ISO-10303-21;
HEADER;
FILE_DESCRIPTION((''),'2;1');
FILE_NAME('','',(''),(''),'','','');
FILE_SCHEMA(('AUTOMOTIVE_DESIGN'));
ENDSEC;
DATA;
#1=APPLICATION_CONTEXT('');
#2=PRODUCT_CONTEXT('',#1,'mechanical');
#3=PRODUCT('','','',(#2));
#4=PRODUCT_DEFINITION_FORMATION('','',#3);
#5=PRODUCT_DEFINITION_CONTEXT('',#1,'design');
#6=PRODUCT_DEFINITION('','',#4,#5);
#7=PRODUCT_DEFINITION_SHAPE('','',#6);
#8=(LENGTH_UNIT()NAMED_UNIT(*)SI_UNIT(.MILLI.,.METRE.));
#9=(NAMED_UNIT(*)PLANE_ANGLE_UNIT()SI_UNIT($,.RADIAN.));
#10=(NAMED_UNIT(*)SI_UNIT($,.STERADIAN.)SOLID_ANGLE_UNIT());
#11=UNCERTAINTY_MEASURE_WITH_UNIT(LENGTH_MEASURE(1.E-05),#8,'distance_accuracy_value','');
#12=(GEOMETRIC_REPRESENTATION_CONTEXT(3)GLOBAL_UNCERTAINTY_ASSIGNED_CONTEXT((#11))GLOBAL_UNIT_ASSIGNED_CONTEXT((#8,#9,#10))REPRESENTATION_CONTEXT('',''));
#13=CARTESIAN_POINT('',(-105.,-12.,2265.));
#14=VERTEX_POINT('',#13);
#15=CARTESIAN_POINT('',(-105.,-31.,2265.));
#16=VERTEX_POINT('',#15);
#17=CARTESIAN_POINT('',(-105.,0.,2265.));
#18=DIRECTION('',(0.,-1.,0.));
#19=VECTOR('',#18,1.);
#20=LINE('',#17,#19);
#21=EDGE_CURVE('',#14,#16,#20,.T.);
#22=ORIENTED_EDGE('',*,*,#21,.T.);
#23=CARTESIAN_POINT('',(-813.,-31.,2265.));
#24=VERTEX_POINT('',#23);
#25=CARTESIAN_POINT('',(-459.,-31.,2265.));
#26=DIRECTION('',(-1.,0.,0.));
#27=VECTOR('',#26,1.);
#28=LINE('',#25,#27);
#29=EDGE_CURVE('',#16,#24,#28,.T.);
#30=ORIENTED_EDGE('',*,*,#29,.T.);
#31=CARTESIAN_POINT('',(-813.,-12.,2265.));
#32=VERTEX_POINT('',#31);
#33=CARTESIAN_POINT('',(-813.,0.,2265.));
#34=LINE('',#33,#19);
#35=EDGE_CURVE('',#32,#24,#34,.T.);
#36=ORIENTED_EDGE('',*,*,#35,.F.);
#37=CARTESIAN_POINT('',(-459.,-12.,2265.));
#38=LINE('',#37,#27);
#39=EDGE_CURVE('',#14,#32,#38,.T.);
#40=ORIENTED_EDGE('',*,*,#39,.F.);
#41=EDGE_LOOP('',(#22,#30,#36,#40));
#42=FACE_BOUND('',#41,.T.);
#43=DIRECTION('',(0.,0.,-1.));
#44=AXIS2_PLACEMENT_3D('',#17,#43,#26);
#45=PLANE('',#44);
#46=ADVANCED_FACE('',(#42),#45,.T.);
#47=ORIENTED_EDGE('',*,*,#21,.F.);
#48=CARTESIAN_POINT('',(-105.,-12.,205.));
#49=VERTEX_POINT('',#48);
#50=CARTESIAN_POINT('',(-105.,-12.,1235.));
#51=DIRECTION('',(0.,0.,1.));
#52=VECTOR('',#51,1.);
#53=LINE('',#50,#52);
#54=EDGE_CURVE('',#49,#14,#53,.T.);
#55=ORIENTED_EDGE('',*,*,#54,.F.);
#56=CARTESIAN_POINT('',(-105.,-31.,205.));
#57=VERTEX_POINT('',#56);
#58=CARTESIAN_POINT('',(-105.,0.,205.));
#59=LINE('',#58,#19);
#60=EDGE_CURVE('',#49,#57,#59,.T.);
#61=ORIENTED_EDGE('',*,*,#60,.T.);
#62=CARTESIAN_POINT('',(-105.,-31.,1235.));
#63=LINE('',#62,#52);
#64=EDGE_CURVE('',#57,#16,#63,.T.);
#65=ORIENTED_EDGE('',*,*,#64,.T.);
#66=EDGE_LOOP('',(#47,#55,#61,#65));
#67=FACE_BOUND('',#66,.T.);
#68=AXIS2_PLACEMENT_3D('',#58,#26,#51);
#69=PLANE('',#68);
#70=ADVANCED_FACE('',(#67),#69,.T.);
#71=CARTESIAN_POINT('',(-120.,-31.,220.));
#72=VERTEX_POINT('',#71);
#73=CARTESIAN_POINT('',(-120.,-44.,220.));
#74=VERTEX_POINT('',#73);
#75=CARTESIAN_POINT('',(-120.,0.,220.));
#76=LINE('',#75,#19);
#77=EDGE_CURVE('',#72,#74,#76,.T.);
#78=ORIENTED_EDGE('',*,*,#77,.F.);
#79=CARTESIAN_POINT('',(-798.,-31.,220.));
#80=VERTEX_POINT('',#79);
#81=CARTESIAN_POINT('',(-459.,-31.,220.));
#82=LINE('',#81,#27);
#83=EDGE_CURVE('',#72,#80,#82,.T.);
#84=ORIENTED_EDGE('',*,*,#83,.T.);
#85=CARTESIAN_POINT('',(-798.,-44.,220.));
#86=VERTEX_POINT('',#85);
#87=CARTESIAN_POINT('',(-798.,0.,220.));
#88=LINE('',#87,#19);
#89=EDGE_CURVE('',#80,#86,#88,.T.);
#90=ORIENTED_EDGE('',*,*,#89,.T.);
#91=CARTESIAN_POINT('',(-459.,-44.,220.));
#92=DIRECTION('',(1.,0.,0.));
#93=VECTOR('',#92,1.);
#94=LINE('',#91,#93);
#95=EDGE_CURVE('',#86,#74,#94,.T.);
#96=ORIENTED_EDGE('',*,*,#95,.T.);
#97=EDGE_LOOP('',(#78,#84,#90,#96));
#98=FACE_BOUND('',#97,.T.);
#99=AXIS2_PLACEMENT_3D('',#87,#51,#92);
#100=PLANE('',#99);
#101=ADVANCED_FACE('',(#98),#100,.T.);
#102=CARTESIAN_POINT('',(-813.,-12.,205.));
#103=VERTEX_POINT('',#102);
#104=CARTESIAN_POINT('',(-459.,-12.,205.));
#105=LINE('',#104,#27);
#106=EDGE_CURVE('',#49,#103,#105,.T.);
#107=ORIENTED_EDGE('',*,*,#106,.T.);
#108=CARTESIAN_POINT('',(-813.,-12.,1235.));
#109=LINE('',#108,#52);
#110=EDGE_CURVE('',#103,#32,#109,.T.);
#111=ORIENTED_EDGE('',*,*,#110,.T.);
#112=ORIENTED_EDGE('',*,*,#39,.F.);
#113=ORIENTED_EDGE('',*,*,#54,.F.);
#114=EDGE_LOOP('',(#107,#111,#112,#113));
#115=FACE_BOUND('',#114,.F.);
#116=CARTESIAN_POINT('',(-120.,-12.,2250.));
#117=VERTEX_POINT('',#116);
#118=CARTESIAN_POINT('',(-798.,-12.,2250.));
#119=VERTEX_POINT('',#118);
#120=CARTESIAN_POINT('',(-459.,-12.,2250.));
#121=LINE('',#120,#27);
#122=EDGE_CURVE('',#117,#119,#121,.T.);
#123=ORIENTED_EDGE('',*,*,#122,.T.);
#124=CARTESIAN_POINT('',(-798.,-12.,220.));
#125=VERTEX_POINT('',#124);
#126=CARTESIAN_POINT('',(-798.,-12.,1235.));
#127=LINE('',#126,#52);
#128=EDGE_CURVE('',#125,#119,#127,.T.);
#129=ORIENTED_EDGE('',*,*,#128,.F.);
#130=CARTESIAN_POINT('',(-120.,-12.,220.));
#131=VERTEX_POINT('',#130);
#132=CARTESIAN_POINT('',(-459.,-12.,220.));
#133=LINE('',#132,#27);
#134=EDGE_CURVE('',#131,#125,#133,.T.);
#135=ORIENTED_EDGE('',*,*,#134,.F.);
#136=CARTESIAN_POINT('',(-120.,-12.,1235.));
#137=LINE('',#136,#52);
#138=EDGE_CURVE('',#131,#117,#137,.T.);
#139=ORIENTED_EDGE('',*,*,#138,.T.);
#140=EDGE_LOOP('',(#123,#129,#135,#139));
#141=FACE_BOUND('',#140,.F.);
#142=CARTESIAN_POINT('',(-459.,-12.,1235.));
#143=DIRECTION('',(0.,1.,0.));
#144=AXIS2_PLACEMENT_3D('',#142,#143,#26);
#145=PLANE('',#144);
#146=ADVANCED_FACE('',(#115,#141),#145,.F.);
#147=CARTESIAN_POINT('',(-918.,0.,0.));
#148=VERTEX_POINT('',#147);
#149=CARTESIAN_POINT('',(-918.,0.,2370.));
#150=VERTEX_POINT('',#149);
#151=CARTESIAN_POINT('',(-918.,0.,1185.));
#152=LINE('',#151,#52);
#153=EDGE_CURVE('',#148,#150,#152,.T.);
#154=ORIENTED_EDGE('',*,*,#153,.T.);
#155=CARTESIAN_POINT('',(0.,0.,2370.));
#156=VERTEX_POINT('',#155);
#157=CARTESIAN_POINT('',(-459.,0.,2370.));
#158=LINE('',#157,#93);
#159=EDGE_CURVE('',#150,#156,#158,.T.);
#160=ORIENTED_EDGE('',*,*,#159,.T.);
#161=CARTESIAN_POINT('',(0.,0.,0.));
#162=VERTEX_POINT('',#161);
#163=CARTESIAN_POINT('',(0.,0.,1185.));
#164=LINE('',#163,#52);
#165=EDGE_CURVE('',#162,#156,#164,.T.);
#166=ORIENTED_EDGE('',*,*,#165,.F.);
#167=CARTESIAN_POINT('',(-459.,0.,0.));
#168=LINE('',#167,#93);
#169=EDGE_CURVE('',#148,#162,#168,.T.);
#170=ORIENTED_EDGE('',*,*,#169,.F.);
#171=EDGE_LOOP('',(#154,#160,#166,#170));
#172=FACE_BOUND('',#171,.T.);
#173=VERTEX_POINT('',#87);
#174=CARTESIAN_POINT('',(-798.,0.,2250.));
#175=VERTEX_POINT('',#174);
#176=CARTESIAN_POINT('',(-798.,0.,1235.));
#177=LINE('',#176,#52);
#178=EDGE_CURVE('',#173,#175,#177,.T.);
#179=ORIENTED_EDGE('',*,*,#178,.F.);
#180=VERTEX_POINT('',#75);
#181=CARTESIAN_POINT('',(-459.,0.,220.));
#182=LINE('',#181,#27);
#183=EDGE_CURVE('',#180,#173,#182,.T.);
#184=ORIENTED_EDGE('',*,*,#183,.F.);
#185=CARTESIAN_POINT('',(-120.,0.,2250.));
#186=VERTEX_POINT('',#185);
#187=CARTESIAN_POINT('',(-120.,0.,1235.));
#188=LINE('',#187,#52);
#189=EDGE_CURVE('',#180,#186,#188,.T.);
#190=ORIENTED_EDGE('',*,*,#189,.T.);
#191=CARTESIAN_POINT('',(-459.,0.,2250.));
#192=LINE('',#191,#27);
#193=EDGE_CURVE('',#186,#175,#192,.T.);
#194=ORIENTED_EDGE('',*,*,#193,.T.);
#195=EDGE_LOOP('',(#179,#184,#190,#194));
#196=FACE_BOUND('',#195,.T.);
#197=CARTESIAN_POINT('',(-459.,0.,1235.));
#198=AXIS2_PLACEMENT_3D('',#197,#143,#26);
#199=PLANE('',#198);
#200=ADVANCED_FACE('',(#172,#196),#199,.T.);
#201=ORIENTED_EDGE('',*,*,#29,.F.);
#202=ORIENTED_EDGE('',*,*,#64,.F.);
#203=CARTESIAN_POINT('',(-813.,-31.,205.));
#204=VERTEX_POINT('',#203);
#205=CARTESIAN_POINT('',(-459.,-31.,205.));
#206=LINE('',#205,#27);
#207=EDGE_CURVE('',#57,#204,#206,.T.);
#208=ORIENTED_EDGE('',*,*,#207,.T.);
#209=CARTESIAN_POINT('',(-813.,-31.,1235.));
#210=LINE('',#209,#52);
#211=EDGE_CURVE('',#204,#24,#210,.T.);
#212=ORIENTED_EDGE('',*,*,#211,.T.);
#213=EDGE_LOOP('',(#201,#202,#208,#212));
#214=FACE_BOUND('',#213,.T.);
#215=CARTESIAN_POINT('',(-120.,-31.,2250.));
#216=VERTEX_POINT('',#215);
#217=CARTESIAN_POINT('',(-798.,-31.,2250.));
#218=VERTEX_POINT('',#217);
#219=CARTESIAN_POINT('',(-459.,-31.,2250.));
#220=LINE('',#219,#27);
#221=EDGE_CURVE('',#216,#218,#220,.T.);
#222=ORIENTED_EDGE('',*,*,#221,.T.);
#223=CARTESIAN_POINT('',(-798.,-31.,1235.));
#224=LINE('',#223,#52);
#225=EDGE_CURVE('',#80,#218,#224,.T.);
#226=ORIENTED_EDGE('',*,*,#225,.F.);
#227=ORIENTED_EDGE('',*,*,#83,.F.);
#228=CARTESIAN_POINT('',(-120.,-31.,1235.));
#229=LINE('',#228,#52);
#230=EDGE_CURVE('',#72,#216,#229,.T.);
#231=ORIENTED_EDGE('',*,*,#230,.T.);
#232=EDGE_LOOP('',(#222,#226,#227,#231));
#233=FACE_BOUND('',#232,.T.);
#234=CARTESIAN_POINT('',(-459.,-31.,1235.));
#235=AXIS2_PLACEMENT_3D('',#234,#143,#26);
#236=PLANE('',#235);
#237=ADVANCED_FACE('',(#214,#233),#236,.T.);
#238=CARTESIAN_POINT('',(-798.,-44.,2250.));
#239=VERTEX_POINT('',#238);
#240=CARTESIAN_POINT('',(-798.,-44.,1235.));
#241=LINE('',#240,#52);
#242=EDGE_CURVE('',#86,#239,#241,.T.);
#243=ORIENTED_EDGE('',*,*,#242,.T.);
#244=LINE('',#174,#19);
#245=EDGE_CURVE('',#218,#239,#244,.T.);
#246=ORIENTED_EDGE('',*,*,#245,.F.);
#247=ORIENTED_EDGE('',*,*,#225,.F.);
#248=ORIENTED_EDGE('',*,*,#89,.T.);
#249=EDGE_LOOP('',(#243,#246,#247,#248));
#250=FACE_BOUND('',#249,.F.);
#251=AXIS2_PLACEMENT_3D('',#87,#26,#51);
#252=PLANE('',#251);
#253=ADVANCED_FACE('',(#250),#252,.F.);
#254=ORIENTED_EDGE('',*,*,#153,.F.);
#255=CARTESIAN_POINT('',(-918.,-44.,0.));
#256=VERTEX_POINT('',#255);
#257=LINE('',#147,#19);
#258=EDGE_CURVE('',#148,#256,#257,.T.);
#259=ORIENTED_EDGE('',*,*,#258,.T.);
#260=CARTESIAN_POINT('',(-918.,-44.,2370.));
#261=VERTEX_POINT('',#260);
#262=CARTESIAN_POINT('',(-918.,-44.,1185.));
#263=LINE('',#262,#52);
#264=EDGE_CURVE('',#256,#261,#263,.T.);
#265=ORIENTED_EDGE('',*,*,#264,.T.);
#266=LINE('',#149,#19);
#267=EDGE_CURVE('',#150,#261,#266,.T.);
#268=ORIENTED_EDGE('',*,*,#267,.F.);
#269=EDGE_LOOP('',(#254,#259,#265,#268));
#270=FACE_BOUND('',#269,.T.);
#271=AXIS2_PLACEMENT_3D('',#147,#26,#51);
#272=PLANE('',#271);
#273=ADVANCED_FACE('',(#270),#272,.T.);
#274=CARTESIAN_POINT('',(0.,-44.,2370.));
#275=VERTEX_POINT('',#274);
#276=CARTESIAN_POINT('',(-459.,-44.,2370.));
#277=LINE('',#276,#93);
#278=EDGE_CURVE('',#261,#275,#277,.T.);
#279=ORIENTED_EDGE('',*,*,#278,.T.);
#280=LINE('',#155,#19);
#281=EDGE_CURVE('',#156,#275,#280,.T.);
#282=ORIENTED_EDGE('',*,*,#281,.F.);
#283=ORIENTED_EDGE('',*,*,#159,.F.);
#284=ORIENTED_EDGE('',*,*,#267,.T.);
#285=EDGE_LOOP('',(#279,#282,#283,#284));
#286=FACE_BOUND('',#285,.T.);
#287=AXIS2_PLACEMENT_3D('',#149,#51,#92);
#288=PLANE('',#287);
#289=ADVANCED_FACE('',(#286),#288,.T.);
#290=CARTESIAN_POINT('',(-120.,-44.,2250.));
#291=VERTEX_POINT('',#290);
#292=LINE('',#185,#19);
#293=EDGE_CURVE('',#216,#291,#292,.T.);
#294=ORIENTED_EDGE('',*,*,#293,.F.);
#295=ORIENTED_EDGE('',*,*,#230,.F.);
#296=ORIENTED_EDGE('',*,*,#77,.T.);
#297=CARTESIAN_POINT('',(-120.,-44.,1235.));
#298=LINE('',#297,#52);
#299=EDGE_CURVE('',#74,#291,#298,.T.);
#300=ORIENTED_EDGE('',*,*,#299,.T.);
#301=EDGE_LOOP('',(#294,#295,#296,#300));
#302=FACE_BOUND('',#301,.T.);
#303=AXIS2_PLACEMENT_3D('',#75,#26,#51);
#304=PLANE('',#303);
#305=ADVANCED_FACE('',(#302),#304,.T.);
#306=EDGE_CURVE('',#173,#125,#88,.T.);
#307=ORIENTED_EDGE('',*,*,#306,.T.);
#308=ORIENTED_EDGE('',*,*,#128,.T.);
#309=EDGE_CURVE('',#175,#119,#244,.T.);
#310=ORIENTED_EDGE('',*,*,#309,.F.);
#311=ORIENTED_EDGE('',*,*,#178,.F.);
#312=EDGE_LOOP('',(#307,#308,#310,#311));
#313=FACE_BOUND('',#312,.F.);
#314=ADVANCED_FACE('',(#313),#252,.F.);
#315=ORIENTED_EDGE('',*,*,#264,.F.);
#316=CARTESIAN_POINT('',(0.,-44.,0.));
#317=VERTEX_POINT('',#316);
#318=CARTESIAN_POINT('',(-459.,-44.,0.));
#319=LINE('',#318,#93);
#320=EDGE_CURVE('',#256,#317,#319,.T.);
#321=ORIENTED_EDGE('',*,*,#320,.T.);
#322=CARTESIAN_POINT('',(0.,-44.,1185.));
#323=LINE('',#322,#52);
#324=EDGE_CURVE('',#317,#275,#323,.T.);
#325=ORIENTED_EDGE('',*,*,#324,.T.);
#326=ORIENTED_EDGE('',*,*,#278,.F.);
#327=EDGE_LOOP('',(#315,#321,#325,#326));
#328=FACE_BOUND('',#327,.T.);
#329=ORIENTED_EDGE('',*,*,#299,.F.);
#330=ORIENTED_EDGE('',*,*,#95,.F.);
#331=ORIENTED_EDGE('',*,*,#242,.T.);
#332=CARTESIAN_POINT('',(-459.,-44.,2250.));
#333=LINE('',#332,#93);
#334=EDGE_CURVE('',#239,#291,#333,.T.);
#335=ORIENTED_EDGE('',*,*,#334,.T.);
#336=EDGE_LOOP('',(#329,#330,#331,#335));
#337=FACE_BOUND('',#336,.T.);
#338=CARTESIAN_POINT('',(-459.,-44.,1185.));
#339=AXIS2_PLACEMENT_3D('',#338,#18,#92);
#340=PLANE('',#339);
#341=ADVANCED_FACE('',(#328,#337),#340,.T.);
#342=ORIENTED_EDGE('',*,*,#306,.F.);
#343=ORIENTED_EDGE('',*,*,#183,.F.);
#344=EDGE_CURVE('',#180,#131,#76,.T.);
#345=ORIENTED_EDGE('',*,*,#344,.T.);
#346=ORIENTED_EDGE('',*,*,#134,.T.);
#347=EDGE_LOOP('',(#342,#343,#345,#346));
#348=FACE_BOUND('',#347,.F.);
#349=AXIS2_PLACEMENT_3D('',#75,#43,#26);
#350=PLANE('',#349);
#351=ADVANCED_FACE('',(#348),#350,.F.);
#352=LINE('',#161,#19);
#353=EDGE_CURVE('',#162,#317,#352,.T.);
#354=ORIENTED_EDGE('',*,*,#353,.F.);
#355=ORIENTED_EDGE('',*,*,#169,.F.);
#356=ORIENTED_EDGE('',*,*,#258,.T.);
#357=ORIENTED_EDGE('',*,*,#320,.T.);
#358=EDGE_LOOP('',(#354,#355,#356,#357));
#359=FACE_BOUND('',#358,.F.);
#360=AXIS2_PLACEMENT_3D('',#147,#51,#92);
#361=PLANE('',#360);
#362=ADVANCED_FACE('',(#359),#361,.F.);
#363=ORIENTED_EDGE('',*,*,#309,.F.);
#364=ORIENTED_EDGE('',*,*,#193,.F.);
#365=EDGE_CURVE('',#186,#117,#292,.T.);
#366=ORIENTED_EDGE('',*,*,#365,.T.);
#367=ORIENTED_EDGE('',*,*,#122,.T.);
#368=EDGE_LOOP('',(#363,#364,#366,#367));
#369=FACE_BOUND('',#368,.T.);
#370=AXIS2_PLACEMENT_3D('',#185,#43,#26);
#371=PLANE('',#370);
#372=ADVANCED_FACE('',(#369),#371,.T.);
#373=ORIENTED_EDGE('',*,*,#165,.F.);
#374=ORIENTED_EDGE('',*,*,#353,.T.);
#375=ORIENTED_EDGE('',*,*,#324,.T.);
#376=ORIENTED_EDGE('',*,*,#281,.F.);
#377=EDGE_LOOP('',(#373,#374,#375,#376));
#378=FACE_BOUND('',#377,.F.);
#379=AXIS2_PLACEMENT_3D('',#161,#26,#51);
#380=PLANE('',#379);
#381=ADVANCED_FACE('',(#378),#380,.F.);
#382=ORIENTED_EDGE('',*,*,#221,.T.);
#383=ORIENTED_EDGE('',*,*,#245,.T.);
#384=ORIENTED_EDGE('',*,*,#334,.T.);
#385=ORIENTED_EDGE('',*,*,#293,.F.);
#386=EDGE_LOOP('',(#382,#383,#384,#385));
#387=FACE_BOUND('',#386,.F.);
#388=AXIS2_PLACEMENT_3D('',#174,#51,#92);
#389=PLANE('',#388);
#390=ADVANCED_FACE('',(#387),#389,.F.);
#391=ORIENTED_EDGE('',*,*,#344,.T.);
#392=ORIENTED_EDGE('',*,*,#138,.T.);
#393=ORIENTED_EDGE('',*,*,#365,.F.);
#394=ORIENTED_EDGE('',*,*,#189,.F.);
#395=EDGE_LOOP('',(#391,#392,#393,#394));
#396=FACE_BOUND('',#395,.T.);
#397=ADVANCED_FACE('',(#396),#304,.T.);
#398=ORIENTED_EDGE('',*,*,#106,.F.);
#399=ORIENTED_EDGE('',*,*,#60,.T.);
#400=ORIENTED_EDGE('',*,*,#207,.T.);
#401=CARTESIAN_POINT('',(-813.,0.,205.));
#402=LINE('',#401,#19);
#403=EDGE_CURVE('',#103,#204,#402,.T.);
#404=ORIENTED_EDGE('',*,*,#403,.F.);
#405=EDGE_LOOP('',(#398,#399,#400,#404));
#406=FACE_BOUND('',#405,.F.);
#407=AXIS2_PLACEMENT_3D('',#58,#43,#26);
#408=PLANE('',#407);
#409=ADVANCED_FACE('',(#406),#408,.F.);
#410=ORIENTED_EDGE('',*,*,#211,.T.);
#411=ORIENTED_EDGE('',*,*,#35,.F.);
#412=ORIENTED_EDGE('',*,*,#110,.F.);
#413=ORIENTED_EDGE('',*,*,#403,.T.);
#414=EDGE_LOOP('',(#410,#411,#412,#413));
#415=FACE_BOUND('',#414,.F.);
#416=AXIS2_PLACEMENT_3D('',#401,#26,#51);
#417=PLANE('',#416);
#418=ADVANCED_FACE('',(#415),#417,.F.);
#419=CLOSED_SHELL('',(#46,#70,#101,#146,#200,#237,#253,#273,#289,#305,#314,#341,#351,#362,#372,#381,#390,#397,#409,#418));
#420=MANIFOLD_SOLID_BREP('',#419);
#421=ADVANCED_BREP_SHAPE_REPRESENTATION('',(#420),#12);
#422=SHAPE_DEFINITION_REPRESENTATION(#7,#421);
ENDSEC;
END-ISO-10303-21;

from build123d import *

# Parameters (mm, degrees)
F0_W     = 918
F0_H     = 2370
F0_W_2   = 678
F0_H_2   = 2030
F1_DEPTH = 44
F2_W     = 708
F2_H     = 2060
F2_W_2   = 678
F2_H_2   = 2030
F3_DEPTH = 31
F4_W     = 708
F4_H     = 2060
F4_W_2   = 678
F4_H_2   = 2030
F5_DEPTH = 12


with BuildPart() as f1:
    # F0 (on Front) → F1 (new body)
    with BuildSketch(Plane.XZ):
        with Locations((-459, 1185)):
            Rectangle(F0_W, F0_H)
        with Locations((-459, 1235)):
            Rectangle(F0_W_2, F0_H_2, mode=Mode.SUBTRACT)
    extrude(amount=F1_DEPTH)

    # F2 (on face) → F3 (cut)
    with BuildSketch(Plane(origin=(0, 0, 0), x_dir=(-1, 0, 0), z_dir=(0, 1, 0))):
        with Locations((459, 1235)):
            Rectangle(F2_W, F2_H)
        with Locations((459, 1235)):
            Rectangle(F2_W_2, F2_H_2, mode=Mode.SUBTRACT)
    extrude(amount=-F3_DEPTH, mode=Mode.SUBTRACT)

    # F4 (on face) → F5 (join)
    with BuildSketch(Plane(origin=(0, 0, 0), x_dir=(-1, 0, 0), z_dir=(0, 1, 0))):
        with Locations((459, 1235)):
            Rectangle(F4_W, F4_H)
        with Locations((459, 1235)):
            Rectangle(F4_W_2, F4_H_2, mode=Mode.SUBTRACT)
    extrude(amount=-F5_DEPTH)


solid = f1.part
